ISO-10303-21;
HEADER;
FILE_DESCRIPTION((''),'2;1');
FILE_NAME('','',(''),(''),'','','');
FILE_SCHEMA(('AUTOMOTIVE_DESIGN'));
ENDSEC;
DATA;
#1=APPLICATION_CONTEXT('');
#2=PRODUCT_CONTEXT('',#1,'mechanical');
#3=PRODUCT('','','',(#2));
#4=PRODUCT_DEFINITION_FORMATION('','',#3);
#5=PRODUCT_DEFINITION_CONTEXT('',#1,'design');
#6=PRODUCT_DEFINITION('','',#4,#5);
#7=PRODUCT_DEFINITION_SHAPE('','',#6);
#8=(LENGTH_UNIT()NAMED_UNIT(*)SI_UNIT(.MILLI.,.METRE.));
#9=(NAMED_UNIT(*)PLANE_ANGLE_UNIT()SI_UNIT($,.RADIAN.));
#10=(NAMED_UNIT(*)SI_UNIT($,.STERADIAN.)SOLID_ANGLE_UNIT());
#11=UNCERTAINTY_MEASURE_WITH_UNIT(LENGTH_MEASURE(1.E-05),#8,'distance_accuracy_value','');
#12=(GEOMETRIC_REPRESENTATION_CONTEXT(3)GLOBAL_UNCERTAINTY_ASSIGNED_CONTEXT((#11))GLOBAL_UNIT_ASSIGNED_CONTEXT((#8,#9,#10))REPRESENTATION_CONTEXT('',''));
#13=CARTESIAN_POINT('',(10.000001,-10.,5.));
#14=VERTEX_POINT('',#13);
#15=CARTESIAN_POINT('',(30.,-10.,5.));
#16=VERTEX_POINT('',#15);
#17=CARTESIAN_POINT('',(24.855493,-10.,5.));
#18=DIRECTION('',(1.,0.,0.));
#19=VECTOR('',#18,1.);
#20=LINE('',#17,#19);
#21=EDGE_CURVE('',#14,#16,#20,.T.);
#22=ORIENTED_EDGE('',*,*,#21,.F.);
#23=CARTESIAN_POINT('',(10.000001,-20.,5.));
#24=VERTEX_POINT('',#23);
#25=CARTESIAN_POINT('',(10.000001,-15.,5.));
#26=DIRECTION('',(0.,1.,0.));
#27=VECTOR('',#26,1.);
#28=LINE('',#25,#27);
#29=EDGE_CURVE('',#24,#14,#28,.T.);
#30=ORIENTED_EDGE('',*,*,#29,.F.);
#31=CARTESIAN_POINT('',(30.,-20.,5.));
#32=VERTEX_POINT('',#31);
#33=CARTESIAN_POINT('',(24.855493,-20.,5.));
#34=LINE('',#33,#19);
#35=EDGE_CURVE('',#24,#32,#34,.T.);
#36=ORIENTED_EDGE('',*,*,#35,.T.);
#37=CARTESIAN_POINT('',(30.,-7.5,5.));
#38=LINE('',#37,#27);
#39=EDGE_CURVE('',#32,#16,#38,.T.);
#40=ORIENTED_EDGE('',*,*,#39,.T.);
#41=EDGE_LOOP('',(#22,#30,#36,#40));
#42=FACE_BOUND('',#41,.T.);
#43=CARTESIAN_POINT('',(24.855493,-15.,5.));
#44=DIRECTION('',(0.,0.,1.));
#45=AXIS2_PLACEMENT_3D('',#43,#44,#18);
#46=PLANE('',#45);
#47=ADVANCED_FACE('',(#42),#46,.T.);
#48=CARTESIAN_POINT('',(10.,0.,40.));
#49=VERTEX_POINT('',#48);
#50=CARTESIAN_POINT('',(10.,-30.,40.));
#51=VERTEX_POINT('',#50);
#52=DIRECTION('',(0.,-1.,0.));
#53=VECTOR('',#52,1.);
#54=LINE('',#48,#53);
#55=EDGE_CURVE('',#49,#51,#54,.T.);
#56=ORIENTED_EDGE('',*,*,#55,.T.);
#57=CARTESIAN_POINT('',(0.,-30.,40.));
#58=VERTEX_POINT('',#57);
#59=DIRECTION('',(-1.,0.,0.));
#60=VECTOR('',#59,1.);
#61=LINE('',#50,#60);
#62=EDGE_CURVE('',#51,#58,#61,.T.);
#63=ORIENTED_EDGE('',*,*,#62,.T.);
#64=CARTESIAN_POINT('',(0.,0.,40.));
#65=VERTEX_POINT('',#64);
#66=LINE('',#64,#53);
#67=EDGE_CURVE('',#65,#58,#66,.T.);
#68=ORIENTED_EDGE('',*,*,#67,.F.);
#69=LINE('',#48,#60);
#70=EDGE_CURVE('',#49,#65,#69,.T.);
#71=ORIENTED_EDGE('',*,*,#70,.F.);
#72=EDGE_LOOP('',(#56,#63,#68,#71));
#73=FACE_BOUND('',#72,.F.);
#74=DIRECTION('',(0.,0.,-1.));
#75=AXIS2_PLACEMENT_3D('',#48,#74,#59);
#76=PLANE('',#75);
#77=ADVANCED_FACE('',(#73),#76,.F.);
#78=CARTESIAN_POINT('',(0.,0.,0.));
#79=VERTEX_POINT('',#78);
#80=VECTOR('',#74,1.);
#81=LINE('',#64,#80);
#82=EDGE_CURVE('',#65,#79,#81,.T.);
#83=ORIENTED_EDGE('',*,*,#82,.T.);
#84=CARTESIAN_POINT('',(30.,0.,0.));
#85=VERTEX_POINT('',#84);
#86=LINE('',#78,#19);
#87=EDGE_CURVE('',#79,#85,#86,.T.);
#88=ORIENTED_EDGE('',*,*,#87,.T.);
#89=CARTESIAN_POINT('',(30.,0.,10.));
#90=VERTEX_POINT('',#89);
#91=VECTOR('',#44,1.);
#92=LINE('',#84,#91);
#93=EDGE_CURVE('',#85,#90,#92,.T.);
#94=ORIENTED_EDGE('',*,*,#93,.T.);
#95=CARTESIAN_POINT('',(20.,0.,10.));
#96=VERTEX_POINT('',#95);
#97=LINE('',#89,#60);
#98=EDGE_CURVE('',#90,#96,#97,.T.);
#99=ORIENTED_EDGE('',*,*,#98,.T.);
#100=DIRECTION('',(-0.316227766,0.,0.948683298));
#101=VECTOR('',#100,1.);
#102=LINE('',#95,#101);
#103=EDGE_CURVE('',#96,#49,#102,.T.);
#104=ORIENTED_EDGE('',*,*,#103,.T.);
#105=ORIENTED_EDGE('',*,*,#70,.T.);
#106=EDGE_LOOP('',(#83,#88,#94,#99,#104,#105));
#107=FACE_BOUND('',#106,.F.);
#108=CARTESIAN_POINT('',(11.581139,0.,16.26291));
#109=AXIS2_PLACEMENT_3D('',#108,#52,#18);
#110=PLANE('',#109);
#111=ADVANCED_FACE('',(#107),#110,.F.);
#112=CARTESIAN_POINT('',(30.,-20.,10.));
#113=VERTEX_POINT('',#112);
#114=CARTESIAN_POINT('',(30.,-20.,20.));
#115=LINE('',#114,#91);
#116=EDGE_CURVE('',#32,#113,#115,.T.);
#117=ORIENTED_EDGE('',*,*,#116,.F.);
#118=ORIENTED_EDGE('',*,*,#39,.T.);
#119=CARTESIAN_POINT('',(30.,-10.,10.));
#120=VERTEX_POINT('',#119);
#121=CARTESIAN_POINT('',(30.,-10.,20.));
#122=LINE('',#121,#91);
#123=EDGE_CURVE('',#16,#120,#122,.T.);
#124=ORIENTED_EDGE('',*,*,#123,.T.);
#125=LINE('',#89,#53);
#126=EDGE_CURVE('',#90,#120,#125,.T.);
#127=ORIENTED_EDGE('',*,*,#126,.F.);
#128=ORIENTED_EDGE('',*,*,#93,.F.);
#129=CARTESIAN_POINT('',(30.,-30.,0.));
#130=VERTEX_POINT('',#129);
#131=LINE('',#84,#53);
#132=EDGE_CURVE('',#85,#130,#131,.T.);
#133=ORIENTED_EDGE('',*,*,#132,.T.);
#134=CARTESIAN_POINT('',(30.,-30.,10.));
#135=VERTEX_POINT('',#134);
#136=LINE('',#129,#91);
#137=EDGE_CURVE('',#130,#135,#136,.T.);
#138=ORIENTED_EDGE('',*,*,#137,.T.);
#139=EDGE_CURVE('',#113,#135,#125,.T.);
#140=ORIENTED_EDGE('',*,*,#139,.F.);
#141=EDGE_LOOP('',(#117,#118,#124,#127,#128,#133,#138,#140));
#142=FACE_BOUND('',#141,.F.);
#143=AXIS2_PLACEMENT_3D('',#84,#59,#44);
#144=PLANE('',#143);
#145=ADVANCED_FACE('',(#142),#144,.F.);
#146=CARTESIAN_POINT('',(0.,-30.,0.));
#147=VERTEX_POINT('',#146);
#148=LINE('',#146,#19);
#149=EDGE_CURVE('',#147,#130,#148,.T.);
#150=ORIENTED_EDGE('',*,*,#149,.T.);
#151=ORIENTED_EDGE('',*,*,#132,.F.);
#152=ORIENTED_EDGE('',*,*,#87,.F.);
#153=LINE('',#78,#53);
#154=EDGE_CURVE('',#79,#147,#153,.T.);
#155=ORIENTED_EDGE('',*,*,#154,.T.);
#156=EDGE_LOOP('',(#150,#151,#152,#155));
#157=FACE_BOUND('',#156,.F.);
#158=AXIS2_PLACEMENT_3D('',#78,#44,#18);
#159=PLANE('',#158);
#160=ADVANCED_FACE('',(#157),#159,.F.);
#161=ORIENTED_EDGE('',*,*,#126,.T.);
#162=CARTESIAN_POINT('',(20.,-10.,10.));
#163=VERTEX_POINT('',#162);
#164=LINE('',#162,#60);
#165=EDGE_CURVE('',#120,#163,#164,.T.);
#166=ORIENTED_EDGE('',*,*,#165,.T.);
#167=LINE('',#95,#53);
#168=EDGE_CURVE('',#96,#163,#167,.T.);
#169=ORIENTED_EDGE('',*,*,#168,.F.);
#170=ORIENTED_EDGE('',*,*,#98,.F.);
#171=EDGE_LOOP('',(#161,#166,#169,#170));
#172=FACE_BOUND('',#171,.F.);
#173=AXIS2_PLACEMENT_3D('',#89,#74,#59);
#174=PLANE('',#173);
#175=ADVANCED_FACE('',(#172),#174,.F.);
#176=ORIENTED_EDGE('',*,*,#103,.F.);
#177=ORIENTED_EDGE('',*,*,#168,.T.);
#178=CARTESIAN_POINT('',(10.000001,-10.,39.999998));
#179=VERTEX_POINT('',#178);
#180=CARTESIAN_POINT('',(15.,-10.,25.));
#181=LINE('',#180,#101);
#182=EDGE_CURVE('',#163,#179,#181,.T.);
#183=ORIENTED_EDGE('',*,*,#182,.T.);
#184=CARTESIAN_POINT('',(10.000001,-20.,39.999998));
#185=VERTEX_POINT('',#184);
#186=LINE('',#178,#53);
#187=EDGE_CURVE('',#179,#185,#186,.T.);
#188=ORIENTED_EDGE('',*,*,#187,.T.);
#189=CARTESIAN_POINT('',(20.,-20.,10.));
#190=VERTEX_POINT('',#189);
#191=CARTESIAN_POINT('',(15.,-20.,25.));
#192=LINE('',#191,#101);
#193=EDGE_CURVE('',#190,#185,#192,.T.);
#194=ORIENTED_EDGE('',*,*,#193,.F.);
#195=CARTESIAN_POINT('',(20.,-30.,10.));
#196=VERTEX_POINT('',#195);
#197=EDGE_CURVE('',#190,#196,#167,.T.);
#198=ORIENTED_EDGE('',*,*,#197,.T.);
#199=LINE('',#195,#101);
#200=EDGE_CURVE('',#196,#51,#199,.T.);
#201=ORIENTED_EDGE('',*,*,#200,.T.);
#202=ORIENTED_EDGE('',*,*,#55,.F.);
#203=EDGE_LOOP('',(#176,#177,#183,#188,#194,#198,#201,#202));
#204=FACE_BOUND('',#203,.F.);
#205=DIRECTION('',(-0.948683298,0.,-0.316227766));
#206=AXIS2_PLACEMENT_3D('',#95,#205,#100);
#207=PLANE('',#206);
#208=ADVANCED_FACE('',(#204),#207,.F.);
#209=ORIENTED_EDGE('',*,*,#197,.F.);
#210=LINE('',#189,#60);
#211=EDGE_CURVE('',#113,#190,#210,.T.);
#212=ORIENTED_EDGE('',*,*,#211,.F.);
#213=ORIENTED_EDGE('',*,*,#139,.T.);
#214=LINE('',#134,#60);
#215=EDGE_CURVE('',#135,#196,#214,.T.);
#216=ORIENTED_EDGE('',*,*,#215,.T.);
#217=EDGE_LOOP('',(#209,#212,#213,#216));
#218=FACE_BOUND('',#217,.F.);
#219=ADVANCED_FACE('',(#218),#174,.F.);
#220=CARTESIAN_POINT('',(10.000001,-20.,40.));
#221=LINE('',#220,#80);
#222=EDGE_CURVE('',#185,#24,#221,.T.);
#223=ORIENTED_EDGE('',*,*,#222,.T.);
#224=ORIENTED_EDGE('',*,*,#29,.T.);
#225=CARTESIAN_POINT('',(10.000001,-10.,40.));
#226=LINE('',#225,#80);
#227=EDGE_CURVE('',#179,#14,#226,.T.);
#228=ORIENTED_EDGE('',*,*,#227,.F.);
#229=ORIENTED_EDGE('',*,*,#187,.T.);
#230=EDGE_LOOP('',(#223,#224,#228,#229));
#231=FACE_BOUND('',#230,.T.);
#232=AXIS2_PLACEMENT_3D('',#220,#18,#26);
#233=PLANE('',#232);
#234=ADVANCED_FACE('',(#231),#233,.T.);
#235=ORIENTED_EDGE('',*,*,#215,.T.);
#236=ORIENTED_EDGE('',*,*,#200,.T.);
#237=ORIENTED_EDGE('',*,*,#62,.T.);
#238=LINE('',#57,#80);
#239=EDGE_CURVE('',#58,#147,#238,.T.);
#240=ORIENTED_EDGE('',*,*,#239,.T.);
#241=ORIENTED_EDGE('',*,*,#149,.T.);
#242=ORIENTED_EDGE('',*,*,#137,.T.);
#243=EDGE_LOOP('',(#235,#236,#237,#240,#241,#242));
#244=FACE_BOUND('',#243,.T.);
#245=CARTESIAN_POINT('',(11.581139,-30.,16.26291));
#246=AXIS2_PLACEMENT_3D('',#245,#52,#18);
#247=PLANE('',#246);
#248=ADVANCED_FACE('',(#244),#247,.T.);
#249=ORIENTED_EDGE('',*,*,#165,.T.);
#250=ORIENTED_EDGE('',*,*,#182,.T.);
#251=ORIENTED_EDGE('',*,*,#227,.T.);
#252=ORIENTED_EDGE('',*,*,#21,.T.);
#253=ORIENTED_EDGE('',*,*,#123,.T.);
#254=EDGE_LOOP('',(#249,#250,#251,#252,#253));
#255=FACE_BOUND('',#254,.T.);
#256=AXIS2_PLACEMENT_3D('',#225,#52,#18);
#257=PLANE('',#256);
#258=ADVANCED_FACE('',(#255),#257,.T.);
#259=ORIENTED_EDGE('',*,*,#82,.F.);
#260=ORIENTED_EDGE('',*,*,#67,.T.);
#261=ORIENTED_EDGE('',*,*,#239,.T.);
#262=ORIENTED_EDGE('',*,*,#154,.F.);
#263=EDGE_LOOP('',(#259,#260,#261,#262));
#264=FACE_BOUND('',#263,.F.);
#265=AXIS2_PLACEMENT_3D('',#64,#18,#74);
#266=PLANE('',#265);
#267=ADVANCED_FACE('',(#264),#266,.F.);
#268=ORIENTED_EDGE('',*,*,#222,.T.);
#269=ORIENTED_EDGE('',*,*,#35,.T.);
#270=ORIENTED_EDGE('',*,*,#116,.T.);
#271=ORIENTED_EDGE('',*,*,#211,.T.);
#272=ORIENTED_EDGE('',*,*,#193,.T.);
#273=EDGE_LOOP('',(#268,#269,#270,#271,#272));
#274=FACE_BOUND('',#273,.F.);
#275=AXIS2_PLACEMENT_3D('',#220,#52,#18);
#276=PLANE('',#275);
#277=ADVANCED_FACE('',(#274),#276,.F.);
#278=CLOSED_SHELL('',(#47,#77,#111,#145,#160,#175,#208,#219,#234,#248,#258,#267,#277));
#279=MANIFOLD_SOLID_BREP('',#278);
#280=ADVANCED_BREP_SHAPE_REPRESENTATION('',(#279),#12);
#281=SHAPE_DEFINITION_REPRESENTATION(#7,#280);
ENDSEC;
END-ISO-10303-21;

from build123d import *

# Parameters (mm, degrees)
F1_DEPTH = 30
F2_W     = 29.710985
F2_H     = 10
F3_DEPTH = 35


with BuildPart() as f1:
    # F0 (on Front) → F1 (new body)
    with BuildSketch(Plane.XZ):
        Polygon((0, 40), (0, 0), (30, 0), (30, 10), (20, 10), (10, 40), align=None)
    extrude(amount=F1_DEPTH)

    # F2 (on face) → F3 (cut)
    with BuildSketch(Plane.XY.offset(40)):
        with Locations((24.855493, -15)):
            Rectangle(F2_W, F2_H)
    extrude(amount=-F3_DEPTH, mode=Mode.SUBTRACT)


solid = f1.part
